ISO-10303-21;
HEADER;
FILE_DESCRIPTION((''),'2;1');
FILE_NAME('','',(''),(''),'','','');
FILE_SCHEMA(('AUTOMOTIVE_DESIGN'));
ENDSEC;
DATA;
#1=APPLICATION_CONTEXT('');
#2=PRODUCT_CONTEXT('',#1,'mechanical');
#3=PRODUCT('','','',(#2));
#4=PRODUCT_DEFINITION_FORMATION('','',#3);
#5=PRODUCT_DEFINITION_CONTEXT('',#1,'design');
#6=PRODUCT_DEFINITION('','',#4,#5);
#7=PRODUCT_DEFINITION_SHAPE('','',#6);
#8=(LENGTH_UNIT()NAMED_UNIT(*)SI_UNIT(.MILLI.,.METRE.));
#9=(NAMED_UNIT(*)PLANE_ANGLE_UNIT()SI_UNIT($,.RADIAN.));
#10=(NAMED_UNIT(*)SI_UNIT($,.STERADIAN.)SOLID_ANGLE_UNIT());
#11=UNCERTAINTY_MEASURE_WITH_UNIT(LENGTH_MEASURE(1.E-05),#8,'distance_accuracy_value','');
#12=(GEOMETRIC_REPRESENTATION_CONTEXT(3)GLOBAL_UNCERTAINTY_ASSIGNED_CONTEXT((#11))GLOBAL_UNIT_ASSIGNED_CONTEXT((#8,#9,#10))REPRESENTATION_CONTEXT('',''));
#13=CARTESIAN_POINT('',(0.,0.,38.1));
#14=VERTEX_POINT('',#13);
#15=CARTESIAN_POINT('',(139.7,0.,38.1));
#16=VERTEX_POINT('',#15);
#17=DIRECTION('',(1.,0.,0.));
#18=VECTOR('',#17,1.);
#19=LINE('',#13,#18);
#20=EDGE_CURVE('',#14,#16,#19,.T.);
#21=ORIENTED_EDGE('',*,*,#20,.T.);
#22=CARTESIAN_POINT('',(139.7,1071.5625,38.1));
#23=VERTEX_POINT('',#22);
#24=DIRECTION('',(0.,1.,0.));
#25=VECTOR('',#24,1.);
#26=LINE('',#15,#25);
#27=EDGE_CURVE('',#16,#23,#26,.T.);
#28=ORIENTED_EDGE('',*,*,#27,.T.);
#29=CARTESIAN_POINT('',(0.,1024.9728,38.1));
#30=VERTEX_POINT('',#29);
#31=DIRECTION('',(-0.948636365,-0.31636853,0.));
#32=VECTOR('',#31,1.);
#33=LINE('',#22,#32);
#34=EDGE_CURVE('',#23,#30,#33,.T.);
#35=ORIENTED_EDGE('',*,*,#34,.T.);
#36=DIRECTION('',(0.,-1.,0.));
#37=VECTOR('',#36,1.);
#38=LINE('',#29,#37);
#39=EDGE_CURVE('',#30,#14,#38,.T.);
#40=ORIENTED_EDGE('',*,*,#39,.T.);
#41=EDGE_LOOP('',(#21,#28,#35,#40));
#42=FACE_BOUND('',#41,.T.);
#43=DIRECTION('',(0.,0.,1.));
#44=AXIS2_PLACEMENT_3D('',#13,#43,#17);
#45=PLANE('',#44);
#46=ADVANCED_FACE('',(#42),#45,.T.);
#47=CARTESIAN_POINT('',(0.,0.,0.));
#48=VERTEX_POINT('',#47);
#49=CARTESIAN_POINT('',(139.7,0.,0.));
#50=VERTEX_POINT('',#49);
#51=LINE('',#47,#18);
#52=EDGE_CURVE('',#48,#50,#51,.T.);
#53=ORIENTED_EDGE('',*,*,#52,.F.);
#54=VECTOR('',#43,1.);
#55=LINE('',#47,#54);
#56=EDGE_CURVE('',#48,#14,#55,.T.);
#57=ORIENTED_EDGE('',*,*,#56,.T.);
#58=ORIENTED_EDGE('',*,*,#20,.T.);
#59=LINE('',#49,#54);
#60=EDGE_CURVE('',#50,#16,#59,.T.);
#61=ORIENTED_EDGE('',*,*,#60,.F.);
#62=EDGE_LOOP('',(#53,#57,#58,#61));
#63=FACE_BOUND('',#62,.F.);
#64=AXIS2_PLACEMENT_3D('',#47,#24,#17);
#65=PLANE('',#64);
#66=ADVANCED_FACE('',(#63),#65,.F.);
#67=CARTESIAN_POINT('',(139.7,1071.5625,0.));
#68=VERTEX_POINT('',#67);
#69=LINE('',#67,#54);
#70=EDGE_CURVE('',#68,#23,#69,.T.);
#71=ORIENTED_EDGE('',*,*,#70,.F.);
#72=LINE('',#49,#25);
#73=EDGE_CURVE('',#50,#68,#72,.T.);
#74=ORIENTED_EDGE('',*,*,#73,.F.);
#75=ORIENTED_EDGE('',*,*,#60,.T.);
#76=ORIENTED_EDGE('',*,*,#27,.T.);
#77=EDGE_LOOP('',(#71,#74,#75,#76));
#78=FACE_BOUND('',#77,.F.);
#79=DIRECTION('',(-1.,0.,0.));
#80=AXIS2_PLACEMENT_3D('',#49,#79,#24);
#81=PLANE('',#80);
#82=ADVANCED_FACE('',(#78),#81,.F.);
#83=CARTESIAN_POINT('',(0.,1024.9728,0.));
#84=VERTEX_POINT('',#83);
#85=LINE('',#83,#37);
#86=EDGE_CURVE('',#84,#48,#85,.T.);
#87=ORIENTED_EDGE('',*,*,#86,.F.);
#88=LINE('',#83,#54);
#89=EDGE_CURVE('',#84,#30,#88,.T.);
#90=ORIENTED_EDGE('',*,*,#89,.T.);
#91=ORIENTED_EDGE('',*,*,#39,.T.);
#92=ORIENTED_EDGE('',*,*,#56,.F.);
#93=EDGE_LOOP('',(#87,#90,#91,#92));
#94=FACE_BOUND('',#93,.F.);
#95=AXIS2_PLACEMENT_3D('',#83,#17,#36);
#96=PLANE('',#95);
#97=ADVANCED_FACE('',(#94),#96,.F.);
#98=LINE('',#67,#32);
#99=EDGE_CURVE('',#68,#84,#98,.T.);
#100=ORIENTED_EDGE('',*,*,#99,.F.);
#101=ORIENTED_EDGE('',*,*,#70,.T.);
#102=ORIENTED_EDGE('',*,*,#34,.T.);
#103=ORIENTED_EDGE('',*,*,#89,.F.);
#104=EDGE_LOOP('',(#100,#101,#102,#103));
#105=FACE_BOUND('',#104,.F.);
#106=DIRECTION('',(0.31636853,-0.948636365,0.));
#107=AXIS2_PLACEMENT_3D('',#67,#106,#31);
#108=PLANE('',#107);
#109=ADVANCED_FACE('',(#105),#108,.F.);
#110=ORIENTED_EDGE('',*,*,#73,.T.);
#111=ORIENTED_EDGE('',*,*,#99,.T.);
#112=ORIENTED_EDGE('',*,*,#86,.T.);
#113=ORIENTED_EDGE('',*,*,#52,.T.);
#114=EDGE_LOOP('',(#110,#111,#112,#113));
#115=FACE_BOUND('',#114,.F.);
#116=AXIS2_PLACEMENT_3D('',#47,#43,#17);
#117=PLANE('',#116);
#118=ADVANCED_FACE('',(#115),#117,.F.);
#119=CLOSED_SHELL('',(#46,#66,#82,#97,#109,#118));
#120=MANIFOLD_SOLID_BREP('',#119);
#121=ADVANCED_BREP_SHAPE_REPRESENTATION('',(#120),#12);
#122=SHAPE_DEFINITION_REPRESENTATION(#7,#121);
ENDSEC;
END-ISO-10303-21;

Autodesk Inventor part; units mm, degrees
ref_plane "YZ Plane" through (0, 0, 0) normal (1, 0, 0) x (0, 1, 0)
ref_plane "XZ Plane" through (0, 0, 0) normal (0, 1, 0) x (-1, 0, 0)
ref_plane "XY Plane" through (0, 0, 0) normal (0, 0, 1) x (1, 0, 0)
sketch "Sketch1" plane through (0, 0, 0) normal (0, 0, 1) x (1, 0, 0)
  line L0 (0, 0) -> (139.7, 0)
  line L1 (139.7, 0) -> (139.7, 1071.5625)
  line L2 (0, 1024.9728) -> (0, 0)
  line L3 (139.7, 1071.5625) -> (0, 1024.9728)
  line L4 (139.7, 1071.5625) -> (-3073.4, 1071.5625)
  line L5 (-3073.4, 1071.5625) -> (-3073.4, 0)
  line L6 (-3073.4, 0) -> (139.7, 1071.5625)
  dimension "d3" = 139.7
  dimension "d6" = 1071.5625
  dimension "d9" = 3213.1
  dimension "d10" = 1071.5625
extrude "Extrusion1" add sketch "Sketch1" along normal blind 38.1 contours L2 L3 L1 L0
properties part number "Stud_With_Height_42.5_Inches" material "Wood (Birch)"
